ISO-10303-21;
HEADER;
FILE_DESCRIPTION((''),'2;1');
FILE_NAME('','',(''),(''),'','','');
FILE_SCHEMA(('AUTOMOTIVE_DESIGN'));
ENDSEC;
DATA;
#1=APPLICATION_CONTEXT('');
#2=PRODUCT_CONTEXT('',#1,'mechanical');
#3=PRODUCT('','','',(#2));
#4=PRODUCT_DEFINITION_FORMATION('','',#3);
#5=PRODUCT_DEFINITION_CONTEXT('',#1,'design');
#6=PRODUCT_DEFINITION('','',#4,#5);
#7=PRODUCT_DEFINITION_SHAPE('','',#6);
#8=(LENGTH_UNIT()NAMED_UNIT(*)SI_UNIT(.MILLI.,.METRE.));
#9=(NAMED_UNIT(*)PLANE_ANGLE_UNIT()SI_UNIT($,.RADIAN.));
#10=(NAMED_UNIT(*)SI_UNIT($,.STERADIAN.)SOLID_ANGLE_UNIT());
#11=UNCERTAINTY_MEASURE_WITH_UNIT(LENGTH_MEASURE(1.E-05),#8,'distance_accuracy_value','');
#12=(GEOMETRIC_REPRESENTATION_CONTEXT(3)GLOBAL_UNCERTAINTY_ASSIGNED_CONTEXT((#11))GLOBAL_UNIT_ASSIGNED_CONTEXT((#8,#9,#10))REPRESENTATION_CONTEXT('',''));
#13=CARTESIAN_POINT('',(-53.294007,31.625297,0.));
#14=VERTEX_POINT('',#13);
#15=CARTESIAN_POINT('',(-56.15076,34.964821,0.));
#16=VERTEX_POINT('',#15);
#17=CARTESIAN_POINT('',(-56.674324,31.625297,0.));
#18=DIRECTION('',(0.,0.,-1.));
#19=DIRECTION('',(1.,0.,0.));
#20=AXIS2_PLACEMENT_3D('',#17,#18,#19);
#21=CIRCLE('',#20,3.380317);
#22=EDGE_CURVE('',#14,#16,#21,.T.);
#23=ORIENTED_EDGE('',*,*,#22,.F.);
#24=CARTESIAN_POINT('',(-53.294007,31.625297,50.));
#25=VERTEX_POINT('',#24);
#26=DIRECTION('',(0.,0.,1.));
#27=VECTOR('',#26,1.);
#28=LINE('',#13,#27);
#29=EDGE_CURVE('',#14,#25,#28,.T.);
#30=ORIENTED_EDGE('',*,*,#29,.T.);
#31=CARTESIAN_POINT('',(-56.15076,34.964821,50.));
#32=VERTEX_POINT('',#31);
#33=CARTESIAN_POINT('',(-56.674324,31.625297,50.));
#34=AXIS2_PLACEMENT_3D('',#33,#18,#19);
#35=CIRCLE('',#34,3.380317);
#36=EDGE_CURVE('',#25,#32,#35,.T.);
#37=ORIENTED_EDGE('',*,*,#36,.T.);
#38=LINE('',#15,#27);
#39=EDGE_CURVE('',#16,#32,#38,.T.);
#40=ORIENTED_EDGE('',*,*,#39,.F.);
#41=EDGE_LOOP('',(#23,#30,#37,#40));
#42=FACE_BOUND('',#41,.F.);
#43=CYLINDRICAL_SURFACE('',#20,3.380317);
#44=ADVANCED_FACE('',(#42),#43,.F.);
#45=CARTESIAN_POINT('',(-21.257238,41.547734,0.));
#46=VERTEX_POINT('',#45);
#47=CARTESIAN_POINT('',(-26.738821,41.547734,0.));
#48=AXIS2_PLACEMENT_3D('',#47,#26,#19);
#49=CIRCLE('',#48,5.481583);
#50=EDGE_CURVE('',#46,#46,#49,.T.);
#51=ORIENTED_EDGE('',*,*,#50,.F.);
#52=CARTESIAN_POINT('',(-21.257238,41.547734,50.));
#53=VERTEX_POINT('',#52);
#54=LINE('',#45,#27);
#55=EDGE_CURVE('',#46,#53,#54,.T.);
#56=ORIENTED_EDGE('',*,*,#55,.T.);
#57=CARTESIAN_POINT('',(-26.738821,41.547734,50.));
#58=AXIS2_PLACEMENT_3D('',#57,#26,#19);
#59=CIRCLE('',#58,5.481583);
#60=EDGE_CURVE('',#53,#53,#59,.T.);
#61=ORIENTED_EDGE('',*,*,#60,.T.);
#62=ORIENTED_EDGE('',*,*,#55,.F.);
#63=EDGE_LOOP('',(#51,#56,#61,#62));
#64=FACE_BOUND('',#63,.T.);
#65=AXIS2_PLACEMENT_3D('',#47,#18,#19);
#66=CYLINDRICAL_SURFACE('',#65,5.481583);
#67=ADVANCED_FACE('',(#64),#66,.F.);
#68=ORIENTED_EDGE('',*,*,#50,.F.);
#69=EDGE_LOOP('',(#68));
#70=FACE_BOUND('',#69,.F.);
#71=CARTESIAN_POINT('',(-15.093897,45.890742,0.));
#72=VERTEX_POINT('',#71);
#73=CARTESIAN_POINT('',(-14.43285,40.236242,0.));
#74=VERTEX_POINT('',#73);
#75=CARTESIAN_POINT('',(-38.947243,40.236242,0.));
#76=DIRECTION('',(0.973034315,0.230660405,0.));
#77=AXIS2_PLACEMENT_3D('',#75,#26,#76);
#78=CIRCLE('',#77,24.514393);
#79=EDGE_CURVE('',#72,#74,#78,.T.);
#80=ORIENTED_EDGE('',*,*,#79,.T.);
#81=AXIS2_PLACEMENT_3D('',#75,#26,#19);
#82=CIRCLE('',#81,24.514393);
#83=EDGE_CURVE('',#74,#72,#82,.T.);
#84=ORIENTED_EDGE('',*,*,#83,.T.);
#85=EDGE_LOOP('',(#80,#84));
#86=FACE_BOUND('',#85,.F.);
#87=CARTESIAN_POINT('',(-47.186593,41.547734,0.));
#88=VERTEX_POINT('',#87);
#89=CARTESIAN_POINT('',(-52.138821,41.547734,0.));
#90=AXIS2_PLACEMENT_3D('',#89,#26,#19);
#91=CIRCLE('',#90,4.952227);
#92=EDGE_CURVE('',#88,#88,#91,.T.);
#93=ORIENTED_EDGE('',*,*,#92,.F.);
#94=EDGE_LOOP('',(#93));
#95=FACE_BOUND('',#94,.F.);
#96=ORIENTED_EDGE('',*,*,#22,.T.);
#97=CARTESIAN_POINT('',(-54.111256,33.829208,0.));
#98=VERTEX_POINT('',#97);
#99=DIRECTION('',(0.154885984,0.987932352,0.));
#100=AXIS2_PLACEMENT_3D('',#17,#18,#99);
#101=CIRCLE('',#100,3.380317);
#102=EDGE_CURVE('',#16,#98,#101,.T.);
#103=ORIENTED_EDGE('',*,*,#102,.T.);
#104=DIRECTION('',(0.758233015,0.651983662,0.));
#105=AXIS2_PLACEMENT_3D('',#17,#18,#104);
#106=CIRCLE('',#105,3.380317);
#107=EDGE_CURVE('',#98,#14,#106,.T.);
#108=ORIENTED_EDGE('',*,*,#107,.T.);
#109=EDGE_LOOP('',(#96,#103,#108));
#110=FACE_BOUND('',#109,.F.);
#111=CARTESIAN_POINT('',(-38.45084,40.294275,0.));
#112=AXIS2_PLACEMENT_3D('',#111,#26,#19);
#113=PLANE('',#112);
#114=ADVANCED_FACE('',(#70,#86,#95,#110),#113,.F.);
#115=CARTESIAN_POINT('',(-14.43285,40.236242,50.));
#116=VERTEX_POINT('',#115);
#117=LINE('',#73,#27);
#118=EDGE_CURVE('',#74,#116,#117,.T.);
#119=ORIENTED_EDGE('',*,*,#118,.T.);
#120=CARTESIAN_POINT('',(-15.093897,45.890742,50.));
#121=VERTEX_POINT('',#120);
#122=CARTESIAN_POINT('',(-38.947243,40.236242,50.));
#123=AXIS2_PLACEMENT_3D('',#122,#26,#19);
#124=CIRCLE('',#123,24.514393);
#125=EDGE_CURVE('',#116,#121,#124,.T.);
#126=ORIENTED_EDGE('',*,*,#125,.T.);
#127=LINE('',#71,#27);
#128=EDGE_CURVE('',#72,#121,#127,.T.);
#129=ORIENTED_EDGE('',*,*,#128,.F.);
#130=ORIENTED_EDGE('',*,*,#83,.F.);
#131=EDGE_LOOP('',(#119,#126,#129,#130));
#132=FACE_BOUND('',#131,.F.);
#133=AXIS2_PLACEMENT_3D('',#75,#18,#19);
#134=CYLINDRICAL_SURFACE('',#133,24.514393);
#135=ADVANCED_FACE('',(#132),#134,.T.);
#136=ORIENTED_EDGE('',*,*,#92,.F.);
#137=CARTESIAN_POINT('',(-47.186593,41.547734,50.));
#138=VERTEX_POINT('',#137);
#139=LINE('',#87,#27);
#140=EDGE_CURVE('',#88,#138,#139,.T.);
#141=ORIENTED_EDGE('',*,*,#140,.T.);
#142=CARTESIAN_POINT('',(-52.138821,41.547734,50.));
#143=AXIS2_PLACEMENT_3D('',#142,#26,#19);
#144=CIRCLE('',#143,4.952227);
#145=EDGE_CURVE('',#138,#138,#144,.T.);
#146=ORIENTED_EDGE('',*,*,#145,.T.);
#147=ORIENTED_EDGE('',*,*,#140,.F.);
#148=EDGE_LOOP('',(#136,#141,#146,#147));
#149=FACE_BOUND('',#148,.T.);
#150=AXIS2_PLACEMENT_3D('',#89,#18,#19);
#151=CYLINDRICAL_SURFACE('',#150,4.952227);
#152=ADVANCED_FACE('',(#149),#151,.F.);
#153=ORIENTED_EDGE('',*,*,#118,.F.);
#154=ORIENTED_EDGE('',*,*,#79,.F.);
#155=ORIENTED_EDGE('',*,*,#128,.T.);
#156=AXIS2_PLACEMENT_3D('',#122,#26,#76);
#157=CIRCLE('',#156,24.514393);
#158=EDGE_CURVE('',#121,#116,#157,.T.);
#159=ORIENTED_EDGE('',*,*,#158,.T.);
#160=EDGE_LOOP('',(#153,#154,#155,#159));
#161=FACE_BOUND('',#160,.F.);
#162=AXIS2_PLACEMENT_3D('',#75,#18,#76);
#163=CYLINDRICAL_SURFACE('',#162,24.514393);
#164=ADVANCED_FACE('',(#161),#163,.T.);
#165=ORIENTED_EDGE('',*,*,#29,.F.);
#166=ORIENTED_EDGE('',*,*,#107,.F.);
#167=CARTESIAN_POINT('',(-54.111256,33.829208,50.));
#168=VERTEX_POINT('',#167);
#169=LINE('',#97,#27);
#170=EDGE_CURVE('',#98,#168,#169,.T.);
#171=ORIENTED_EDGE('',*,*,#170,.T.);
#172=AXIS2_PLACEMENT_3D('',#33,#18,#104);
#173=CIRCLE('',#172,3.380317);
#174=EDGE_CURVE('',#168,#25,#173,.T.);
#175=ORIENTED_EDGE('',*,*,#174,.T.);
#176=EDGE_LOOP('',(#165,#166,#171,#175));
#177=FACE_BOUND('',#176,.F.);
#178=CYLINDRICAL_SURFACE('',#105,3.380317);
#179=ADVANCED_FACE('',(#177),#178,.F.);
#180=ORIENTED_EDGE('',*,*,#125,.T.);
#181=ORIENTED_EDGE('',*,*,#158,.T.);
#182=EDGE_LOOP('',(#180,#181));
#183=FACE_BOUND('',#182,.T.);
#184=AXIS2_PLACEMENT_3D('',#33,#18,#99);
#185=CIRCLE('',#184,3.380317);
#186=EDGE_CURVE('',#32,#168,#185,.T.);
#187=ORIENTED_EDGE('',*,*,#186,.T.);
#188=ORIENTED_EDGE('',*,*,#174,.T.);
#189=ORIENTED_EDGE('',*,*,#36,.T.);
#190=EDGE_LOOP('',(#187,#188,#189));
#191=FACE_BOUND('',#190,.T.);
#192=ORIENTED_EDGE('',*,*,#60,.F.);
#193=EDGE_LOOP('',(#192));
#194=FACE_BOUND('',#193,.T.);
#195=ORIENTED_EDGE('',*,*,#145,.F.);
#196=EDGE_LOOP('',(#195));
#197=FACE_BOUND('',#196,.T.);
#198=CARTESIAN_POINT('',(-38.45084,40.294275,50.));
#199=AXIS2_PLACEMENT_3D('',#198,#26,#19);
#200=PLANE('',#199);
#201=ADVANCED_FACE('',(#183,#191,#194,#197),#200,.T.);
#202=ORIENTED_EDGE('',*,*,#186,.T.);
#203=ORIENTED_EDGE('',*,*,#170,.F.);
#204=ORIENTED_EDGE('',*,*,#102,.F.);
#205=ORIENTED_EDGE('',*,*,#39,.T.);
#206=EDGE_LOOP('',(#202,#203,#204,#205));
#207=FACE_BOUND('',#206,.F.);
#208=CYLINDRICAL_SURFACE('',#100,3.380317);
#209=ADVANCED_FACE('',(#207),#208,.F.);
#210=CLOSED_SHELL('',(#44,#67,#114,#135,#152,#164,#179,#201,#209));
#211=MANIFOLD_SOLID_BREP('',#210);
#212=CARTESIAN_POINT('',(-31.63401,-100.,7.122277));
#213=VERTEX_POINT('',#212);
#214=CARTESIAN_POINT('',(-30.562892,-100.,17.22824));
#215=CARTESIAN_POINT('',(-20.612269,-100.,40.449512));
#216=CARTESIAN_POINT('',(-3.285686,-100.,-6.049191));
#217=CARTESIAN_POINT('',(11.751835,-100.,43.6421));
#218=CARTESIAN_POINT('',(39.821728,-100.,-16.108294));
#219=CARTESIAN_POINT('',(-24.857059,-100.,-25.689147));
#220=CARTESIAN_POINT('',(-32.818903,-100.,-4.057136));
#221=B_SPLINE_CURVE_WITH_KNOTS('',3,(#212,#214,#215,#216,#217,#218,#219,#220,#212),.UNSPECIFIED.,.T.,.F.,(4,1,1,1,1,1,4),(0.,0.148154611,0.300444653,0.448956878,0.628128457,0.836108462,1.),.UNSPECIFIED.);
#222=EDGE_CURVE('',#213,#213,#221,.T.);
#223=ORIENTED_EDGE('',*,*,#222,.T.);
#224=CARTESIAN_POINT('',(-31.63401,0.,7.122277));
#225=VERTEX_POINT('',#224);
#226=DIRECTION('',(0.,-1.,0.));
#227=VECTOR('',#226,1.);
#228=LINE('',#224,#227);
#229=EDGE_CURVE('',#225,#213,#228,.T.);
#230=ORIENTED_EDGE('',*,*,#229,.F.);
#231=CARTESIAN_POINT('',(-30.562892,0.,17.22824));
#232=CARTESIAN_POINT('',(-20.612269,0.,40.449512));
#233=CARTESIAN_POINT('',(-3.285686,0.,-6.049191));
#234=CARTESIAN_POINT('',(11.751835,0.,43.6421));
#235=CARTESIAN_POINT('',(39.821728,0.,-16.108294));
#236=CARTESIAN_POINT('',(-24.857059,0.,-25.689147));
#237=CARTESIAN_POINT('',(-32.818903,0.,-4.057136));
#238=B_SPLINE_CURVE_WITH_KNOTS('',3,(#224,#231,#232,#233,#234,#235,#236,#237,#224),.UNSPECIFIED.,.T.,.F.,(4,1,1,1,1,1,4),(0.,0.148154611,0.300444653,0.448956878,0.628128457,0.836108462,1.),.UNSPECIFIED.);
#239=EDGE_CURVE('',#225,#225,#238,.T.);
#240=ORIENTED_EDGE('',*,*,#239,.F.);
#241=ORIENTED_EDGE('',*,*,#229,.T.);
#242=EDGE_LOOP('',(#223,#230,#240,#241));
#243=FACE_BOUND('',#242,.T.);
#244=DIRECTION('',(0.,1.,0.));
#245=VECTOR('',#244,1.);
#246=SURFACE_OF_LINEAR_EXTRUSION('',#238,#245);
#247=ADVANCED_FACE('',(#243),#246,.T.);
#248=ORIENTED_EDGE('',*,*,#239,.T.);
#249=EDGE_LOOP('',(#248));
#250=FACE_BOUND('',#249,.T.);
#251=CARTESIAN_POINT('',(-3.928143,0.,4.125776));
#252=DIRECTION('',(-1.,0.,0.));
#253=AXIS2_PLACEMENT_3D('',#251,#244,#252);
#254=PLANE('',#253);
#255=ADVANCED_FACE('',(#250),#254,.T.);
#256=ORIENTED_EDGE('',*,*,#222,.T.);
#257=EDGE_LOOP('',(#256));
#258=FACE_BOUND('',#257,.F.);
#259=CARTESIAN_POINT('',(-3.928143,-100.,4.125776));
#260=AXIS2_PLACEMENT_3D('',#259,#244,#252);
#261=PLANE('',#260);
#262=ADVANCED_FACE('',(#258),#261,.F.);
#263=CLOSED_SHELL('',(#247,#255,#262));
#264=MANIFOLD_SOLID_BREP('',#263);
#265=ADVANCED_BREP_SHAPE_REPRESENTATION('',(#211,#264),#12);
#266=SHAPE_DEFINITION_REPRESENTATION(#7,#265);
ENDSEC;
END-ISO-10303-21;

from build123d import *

# Parameters (mm, degrees)
F2_DEPTH = 100
F0_R     = 4.9522272502
F0_R_2   = 5.481582989
F3_DEPTH = 50


with BuildPart() as f2:
    # F1 (on Front) → F2 (new body)
    with BuildSketch(Plane.XZ):
        with BuildLine():
            add(Edge.make_bspline(
                [(-31.6340103745, 7.1222772822), (-30.5628917598, 17.2282395377), (-20.6122691683, 40.4495124329), (-3.2856858085, -6.0491913434), (11.7518349966, 43.6420998726), (39.8217277505, -16.1082937427), (-24.8570588634, -25.6891471823), (-32.8189028057, -4.0571364834), (-31.6340103745, 7.1222772822)],
                knots=[0, 0, 0, 0, 0.1481546106, 0.3004446529, 0.4489568779, 0.6281284572, 0.8361084624, 1, 1, 1, 1], degree=3))
        make_face()
    extrude(amount=F2_DEPTH)


with BuildPart() as f3:
    # F0 (on Top) → F3 (new body)
    with BuildSketch(Plane.XY):
        with BuildLine():
            ThreePointArc((-15.0938973437, 45.8907420162), (-63.2958138696, 37.3897375566), (-14.4328499257, 40.2362421155))
            ThreePointArc((-14.4328499257, 40.2362421155), (-14.5986726174, 43.0827466744), (-15.0938973437, 45.8907420162))
        make_face()
        with BuildLine():
            ThreePointArc((-53.2940074724, 31.6252969205), (-59.2430153262, 29.4279429634), (-56.1507603282, 34.9648209542))
            ThreePointArc((-56.1507603282, 34.9648209542), (-55.029870499, 34.5786530499), (-54.1112564032, 33.8292080536))
            ThreePointArc((-54.1112564032, 33.8292080536), (-53.5048982172, 32.8005756212), (-53.2940074724, 31.6252969205))
        make_face(mode=Mode.SUBTRACT)
        with Locations((-52.1388205975, 41.5477342904)):
            Circle(F0_R, mode=Mode.SUBTRACT)
        with Locations((-26.7388205975, 41.5477342904)):
            Circle(F0_R_2, mode=Mode.SUBTRACT)
    extrude(amount=F3_DEPTH)


solid = Compound([f2.part, f3.part])
